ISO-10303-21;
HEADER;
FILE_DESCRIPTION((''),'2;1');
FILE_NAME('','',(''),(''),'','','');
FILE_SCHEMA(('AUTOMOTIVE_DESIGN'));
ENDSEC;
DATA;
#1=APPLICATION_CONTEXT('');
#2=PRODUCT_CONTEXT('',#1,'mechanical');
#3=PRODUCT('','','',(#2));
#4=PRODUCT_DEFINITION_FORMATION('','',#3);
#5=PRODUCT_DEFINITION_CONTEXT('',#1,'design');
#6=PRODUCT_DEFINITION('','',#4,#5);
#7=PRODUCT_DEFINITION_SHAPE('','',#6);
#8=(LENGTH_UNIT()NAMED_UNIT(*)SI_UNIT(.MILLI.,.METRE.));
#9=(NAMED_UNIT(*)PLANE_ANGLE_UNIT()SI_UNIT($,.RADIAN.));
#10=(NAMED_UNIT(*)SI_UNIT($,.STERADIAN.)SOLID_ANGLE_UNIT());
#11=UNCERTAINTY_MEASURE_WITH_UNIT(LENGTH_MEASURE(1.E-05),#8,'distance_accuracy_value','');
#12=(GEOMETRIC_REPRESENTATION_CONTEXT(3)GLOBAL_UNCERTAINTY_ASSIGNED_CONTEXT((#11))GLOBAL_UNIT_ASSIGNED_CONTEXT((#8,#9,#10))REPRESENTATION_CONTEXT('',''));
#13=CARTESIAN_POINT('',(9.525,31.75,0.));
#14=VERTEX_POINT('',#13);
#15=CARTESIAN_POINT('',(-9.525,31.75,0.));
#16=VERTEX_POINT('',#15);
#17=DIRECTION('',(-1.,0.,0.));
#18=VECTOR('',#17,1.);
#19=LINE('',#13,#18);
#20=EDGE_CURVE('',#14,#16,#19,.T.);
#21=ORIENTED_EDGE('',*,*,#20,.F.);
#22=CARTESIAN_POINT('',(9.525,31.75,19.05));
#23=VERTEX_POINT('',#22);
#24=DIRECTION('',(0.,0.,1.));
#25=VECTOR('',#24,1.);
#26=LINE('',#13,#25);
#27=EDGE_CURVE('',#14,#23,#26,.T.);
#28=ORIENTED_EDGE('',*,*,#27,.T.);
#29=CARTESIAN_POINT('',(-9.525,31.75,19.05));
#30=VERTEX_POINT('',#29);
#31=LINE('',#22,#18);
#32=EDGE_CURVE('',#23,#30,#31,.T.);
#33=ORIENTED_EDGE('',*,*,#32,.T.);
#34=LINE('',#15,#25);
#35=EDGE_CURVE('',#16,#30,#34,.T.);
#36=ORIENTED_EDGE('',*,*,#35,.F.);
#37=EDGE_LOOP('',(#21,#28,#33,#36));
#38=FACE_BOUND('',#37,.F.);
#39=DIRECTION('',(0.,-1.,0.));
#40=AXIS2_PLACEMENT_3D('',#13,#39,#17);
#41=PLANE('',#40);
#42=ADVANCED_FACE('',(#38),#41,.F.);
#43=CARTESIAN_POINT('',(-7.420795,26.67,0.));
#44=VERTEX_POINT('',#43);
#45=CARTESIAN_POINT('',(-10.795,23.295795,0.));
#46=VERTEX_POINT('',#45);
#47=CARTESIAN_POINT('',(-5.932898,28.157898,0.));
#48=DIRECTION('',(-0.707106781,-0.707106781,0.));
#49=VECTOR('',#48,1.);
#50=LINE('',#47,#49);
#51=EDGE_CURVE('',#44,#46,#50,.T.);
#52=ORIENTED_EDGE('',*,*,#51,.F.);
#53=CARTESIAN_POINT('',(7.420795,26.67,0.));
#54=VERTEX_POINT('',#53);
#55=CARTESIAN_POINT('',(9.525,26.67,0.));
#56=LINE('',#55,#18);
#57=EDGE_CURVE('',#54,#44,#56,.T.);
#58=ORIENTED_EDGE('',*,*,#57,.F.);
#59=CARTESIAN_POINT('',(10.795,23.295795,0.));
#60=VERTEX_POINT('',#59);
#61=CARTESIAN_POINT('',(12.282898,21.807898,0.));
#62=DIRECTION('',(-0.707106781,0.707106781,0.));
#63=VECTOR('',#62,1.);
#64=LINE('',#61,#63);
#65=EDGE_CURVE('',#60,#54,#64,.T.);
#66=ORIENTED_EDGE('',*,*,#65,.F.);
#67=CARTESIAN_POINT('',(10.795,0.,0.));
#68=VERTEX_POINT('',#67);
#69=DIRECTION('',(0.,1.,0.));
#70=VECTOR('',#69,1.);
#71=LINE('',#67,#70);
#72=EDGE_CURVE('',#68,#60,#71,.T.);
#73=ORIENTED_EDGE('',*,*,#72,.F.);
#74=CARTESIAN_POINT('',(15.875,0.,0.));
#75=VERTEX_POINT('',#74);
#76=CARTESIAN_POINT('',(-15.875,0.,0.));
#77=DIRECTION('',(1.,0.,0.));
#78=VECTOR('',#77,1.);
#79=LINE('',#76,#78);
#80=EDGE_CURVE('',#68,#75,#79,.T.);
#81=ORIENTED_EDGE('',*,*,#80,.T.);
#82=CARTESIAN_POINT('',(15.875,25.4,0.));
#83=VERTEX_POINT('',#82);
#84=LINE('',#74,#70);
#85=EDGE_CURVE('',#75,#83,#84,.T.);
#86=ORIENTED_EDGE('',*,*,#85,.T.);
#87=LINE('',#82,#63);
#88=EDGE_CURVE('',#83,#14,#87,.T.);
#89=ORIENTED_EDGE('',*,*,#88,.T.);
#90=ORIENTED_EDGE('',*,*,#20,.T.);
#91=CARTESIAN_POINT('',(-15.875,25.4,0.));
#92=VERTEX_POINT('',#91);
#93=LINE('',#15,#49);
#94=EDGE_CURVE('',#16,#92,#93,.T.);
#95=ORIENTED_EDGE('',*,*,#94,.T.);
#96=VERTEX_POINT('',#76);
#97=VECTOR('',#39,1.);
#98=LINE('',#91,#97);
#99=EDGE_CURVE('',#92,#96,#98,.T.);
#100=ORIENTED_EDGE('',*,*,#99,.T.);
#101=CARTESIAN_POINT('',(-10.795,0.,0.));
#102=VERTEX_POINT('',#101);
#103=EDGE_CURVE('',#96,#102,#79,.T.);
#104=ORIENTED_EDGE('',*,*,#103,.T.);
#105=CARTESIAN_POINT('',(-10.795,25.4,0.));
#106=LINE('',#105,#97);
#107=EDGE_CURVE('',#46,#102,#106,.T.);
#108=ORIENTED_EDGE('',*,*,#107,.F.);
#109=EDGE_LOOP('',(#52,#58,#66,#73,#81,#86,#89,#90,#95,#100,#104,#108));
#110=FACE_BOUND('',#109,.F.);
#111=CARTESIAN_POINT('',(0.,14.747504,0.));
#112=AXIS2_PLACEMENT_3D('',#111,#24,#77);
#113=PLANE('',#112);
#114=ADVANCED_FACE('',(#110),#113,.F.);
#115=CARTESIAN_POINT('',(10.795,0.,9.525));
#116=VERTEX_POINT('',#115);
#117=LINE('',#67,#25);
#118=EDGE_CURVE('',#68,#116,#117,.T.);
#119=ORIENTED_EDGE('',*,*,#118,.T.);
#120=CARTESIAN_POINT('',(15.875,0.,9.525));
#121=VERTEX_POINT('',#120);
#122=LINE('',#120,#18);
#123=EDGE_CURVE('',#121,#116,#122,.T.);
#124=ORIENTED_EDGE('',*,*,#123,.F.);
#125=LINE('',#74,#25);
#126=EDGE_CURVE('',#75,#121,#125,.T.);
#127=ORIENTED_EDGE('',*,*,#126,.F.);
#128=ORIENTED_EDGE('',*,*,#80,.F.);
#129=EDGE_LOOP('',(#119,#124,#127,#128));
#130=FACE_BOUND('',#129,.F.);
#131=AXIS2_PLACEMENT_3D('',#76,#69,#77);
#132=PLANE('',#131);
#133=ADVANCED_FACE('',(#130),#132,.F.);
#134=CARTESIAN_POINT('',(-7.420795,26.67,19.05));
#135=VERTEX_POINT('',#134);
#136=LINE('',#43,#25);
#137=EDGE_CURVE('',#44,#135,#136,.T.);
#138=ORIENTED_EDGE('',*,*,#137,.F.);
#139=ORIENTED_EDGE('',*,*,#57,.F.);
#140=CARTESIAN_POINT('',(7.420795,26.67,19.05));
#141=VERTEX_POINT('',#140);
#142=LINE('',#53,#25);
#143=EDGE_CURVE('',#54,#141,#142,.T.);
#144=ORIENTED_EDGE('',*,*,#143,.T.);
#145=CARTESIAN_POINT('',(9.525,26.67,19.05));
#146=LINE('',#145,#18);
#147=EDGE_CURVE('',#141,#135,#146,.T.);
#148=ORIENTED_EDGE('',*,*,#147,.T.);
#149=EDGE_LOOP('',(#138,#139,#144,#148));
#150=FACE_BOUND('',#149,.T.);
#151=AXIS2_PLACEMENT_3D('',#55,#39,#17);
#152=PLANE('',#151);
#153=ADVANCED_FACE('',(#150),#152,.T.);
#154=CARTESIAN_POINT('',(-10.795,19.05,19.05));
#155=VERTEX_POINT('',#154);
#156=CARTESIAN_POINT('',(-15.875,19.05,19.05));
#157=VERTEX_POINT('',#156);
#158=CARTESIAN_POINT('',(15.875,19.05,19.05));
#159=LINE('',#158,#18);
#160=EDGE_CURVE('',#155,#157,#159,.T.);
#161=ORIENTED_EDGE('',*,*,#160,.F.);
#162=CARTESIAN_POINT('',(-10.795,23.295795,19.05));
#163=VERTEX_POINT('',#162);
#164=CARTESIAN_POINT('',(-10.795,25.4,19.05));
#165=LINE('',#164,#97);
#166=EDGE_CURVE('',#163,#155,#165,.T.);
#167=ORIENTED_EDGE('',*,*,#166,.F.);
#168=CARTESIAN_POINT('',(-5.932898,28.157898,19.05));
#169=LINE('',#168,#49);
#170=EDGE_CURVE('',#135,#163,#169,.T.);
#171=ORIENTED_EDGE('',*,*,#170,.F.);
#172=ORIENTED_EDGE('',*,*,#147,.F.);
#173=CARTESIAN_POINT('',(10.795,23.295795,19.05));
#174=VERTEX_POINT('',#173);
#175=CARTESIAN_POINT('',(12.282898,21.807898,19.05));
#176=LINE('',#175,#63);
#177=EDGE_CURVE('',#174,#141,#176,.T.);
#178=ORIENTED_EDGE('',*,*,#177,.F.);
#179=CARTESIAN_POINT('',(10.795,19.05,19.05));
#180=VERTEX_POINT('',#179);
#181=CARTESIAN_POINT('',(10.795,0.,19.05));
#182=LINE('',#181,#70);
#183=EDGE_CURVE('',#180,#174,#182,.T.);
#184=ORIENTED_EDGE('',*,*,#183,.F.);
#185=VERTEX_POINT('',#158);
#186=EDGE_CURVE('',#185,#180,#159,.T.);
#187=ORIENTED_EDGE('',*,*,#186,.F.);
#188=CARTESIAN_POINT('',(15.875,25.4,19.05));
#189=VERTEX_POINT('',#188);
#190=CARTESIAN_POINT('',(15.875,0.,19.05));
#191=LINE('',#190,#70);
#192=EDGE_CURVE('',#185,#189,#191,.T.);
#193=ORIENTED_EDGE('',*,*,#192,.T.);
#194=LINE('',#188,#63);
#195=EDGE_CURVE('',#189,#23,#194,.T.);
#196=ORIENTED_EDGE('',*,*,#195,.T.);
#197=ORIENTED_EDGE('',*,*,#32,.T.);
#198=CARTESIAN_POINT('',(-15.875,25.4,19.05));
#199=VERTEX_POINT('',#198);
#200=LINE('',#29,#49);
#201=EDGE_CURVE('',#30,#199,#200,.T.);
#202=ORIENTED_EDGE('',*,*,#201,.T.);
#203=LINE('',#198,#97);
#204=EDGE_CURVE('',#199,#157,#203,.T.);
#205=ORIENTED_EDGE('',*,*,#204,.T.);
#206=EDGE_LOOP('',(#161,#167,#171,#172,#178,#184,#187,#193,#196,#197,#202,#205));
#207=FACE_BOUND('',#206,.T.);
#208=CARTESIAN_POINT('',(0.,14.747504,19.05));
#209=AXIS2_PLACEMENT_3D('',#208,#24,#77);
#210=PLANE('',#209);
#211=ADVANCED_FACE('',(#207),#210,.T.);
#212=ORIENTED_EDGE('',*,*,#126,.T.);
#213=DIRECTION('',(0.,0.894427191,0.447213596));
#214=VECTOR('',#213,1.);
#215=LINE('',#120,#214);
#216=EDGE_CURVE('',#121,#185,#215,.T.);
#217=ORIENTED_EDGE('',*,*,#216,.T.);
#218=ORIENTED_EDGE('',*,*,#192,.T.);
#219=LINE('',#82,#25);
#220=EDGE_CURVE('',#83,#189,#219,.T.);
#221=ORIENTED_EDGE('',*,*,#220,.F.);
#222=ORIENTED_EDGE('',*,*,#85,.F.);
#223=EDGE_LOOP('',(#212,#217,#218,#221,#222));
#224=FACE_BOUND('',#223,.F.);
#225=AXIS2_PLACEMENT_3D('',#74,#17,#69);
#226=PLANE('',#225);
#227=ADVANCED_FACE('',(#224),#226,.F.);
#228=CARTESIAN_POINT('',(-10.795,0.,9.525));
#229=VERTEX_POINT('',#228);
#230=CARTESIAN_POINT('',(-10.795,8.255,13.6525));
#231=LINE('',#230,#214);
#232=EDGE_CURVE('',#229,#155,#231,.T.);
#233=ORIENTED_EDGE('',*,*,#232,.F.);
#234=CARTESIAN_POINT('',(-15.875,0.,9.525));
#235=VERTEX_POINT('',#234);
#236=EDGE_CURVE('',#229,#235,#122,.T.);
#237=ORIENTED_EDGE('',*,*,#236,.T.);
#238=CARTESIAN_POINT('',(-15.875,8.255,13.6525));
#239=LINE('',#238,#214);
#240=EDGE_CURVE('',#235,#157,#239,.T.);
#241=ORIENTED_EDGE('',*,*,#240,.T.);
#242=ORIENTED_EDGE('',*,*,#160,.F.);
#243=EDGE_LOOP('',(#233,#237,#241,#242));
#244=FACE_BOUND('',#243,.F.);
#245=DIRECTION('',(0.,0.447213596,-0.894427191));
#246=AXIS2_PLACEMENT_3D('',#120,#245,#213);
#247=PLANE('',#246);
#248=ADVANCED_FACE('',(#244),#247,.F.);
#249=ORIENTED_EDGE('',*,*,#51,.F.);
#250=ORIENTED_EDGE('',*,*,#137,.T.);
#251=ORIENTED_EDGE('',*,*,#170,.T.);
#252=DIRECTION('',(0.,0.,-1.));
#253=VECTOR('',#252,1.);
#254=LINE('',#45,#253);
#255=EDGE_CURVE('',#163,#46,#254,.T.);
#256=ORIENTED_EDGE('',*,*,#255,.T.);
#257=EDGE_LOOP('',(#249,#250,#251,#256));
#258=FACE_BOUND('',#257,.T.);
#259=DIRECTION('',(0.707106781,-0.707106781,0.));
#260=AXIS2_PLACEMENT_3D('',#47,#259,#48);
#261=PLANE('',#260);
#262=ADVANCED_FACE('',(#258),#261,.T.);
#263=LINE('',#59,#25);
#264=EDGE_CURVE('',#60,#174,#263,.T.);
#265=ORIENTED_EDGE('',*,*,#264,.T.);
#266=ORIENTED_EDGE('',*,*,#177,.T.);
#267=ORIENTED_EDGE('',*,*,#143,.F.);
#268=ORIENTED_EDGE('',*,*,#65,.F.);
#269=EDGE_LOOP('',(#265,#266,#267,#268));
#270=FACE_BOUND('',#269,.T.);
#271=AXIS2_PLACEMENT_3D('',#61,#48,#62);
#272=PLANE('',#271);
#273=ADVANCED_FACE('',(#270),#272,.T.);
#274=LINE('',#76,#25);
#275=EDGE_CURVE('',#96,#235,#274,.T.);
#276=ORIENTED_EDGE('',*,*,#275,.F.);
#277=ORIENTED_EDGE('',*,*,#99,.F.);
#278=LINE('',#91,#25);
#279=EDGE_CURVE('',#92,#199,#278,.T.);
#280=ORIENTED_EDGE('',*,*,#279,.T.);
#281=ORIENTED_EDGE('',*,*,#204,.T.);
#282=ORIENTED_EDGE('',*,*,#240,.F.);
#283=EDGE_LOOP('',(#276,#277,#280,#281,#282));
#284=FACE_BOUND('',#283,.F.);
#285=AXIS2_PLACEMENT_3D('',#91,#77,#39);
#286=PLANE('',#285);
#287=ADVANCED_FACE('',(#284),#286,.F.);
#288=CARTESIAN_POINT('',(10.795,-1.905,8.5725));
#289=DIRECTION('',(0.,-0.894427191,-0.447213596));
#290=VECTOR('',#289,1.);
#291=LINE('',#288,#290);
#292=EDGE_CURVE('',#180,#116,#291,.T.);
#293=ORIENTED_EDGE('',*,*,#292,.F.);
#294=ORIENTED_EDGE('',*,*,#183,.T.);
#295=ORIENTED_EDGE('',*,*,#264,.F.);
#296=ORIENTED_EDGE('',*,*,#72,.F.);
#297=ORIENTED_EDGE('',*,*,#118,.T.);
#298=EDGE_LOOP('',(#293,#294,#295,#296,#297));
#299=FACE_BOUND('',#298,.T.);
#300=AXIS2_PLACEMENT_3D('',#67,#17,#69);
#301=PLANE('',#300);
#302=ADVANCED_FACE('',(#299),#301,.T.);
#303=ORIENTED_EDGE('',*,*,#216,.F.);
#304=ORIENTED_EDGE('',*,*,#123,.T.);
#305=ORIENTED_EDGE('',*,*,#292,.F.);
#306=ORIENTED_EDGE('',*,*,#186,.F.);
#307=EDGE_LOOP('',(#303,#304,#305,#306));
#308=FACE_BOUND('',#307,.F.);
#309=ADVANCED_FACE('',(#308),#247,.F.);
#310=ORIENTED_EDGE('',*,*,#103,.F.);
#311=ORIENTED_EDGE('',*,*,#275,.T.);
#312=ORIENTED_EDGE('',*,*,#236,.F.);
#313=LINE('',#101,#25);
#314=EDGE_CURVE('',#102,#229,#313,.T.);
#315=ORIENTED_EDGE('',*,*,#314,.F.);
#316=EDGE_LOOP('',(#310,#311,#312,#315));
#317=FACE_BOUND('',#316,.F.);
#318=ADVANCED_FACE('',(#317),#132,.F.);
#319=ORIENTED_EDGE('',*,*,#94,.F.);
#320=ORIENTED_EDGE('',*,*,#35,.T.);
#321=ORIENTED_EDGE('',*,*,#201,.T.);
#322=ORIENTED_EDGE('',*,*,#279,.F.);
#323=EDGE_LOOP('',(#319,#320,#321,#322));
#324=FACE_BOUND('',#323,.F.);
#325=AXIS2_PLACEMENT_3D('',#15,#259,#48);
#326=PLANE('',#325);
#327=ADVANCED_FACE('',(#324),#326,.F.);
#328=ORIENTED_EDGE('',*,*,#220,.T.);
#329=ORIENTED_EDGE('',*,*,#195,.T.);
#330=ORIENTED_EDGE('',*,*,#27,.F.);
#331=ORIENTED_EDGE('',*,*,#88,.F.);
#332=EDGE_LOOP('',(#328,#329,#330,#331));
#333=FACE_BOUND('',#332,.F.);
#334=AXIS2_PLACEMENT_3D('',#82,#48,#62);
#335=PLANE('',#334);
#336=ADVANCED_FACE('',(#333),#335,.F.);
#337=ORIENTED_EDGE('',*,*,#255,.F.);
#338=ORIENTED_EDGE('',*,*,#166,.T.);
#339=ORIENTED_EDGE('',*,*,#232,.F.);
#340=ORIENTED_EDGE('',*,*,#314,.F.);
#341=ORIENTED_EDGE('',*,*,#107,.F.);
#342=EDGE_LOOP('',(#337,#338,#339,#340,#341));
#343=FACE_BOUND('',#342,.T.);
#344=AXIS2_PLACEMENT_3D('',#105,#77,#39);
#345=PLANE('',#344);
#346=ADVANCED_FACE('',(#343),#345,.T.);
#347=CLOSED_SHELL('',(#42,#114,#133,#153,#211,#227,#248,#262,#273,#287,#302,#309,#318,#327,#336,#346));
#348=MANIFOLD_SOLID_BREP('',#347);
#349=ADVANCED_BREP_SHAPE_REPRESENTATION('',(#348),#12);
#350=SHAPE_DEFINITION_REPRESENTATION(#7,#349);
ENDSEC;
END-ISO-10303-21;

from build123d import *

# Parameters (mm, degrees)
F1_DEPTH = 19.05
F2_T     = -5.08
F4_DEPTH = 31.751


with BuildPart() as f1:
    # F0 (on Top) → F1 (new body)
    with BuildSketch(Plane.XY):
        Polygon((-15.875, 25.4), (-15.875, 0), (15.875, 0), (15.875, 25.4), (9.525, 31.75), (-9.525, 31.75), align=None)
    extrude(amount=F1_DEPTH)

    # F2
    f2_openings = [f1.faces().sort_by_distance(p)[0] for p in [
        (0, 15.301736, 19.05),
        (0, 0, 9.525),
        (0, 15.301736, 0),
    ]]
    offset(amount=F2_T, openings=f2_openings)

    # F3 (on face) → F4 (cut, through all)
    with BuildSketch(Plane.YZ.offset(15.875)):
        Polygon((0, 19.05), (0, 9.525), (19.05, 19.05), align=None)
    extrude(amount=-F4_DEPTH, mode=Mode.SUBTRACT)


solid = f1.part
